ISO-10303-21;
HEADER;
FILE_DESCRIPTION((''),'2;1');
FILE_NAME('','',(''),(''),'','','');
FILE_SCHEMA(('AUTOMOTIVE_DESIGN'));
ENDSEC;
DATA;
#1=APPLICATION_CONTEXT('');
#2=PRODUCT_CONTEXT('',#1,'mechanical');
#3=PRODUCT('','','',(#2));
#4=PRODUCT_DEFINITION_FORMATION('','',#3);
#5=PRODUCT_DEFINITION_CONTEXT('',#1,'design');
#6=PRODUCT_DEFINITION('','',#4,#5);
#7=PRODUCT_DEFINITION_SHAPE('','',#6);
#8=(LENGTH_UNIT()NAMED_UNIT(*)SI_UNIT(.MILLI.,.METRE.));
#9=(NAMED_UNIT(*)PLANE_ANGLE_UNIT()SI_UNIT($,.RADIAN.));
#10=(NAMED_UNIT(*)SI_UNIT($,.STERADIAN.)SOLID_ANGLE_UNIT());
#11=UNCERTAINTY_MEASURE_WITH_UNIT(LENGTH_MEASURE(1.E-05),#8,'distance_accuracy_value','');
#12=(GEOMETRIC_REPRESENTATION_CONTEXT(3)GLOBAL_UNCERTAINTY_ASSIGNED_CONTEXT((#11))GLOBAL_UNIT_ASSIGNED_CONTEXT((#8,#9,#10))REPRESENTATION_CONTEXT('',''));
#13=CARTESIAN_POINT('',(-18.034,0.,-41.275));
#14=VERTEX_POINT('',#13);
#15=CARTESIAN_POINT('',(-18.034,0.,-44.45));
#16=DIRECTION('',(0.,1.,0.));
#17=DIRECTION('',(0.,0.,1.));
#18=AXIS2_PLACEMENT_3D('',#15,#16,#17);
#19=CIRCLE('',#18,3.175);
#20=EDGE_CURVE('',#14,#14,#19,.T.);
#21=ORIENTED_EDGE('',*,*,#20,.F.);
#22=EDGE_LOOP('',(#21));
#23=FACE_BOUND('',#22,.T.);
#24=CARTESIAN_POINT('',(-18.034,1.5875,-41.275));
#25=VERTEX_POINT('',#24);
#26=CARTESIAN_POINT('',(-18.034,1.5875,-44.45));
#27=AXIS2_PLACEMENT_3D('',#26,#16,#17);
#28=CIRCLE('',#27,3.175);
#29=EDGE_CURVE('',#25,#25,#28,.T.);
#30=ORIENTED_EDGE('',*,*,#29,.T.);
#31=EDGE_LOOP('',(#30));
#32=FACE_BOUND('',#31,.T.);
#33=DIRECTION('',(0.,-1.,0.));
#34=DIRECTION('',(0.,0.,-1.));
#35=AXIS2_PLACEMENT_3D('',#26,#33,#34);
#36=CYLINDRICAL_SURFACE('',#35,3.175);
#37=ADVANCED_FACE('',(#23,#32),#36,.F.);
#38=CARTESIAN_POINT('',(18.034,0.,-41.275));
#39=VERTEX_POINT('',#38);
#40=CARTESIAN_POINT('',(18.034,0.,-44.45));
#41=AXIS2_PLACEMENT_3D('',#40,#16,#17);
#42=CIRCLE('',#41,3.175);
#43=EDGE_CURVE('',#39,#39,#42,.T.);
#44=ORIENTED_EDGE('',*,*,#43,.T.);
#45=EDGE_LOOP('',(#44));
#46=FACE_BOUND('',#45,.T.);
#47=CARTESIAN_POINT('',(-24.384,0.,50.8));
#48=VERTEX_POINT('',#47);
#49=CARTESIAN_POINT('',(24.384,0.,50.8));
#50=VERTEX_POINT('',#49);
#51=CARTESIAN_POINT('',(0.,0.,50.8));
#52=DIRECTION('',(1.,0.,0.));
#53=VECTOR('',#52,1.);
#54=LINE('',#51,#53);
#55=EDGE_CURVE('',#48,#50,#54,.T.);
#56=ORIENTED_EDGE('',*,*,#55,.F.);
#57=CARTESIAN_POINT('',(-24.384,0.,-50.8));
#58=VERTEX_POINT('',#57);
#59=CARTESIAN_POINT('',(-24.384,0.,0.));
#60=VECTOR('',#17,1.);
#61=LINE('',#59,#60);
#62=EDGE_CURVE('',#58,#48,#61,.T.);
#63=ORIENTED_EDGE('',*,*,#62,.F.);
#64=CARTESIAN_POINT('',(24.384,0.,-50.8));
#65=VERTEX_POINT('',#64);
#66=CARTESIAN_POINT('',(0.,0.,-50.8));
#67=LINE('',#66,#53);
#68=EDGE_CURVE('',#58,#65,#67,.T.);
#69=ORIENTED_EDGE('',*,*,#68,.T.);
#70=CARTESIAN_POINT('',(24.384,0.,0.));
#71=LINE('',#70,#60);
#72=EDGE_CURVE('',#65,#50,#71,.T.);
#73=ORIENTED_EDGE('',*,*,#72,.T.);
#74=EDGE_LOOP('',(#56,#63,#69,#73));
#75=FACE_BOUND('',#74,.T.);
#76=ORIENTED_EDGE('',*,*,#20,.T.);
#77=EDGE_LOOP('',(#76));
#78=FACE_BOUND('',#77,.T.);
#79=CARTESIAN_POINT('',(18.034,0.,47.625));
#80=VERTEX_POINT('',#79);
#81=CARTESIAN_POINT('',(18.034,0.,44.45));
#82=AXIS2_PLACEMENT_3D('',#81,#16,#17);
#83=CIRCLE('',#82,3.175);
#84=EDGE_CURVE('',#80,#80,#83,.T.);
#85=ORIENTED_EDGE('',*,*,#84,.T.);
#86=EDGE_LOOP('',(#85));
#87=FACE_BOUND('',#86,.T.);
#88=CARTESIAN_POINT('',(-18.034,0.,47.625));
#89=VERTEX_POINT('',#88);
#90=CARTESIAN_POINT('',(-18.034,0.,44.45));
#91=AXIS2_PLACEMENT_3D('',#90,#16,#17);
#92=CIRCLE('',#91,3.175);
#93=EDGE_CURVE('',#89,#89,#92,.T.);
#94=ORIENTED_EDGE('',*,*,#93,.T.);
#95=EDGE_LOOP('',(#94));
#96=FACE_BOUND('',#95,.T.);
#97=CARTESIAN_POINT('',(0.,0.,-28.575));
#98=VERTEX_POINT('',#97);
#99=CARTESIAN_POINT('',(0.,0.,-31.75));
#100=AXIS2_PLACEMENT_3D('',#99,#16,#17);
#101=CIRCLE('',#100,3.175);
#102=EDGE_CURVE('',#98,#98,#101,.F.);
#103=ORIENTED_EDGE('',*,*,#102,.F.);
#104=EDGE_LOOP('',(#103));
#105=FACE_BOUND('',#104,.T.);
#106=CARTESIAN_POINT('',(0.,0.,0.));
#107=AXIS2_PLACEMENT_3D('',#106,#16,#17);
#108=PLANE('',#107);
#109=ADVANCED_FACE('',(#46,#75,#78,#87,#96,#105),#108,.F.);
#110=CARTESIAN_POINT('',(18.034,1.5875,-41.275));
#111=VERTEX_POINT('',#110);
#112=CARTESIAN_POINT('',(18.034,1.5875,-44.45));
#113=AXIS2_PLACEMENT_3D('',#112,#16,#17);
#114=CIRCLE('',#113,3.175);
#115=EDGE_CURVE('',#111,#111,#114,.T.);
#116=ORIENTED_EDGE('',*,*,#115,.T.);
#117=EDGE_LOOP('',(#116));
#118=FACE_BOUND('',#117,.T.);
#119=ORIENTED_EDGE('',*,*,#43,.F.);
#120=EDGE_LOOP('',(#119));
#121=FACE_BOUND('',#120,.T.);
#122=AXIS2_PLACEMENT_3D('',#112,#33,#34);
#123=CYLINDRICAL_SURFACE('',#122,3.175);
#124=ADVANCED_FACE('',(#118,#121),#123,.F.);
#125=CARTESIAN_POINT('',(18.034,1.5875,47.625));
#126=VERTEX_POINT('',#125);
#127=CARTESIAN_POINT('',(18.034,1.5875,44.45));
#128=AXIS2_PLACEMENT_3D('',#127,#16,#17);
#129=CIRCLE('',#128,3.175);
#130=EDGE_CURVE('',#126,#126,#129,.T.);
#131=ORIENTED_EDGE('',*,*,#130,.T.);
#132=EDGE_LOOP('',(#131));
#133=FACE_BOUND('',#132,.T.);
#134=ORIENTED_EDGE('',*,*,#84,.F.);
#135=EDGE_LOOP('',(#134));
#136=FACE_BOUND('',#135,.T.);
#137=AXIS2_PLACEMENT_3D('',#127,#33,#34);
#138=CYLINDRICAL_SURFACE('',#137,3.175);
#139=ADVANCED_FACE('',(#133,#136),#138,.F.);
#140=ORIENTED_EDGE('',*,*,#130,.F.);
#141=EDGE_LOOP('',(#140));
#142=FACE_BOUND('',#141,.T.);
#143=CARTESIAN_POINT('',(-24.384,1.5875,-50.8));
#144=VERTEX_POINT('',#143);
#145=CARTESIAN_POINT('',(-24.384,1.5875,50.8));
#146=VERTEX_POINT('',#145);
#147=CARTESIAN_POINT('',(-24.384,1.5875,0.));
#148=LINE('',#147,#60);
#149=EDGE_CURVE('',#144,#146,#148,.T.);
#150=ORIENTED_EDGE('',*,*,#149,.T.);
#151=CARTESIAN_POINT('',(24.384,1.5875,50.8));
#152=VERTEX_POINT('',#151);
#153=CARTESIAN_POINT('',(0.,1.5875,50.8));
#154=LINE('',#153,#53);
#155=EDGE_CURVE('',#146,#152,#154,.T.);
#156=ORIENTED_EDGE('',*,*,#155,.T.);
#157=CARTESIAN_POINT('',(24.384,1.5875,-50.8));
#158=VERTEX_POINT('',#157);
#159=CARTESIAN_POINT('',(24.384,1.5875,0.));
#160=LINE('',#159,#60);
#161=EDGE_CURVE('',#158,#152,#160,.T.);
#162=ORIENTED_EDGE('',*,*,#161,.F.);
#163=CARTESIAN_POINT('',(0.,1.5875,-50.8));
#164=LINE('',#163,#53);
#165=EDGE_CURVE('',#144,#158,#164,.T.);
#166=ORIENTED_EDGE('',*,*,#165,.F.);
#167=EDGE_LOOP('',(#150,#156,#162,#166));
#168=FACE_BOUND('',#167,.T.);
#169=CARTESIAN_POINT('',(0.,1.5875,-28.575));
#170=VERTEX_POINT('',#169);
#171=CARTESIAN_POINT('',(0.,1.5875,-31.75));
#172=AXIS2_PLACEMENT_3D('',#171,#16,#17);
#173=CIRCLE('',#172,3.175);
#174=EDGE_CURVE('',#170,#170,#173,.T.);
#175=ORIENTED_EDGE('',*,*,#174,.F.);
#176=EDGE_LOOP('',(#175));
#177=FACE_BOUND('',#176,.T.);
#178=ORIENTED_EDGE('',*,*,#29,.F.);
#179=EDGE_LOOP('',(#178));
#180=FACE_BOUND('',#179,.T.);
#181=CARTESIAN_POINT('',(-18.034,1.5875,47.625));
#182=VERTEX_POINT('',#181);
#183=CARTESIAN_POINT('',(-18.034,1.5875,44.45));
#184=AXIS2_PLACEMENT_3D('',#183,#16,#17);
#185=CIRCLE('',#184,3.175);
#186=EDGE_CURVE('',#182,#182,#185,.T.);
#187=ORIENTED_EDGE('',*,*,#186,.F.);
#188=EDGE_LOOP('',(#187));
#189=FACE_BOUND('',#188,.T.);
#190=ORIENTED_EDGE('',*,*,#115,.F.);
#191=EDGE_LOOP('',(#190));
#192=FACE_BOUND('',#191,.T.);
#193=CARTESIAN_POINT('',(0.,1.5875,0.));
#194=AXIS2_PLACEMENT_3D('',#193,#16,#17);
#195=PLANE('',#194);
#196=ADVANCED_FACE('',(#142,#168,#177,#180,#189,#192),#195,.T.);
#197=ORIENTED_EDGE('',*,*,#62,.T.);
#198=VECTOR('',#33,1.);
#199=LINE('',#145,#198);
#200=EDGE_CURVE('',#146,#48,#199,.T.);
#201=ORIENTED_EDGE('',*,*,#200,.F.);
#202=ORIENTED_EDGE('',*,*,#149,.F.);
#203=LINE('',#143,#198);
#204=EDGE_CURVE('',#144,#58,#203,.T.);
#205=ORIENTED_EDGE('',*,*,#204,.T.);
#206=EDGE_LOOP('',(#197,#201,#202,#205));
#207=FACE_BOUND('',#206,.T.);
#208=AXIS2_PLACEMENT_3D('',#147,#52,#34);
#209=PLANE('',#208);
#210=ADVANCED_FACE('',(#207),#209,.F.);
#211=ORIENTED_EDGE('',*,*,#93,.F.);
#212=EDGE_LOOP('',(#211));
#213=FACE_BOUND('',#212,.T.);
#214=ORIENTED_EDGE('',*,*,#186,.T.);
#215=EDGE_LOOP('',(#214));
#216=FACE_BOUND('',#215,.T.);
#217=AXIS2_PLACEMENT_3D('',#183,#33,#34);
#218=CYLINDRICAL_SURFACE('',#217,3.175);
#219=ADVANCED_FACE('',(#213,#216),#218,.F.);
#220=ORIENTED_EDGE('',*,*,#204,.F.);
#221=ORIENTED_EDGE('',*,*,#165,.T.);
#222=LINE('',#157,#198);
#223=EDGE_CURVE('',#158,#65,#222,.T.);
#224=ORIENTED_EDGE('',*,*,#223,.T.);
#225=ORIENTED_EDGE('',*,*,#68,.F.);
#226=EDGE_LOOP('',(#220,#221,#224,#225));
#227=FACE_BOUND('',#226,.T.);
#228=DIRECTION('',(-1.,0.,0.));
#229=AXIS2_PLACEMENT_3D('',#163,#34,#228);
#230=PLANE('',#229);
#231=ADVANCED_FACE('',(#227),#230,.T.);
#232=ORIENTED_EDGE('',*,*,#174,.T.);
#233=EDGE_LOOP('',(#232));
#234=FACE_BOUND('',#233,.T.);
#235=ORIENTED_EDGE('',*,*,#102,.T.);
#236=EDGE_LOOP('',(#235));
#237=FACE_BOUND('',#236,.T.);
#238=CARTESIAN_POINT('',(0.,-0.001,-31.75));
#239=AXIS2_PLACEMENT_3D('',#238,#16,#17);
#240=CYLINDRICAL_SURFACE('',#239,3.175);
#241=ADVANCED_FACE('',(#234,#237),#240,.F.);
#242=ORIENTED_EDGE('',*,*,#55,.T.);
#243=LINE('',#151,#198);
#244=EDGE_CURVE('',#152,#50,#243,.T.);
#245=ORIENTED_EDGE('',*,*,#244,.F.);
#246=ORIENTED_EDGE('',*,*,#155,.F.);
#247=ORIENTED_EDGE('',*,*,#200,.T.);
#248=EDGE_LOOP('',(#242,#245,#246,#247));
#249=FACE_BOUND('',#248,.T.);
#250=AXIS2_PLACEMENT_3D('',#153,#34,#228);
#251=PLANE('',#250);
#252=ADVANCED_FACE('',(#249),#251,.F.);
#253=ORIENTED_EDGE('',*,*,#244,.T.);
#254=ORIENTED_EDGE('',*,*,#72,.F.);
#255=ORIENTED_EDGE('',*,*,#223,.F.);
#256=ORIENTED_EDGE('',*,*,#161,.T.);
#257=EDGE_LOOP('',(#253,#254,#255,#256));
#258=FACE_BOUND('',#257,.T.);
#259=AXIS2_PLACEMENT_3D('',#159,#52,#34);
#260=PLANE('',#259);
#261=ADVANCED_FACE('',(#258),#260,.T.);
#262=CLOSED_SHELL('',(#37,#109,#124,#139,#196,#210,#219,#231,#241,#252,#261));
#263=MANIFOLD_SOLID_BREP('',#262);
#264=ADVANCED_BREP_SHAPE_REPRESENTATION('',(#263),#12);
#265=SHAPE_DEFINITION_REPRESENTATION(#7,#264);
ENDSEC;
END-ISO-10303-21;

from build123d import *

# Parameters (mm, degrees)
SKETCH1_W           = 48.768
SKETCH1_H           = 101.6
SKETCH1_R           = 3.175
BOSS_EXTRUDE1_DEPTH = 1.5875
CUT_EXTRUDE1_REACH  = 3.587
SKETCH2_R           = 3.175


with BuildPart() as part:
    # Sketch1 → Boss-Extrude1 (new body)
    with BuildSketch(Plane(origin=(0, 0, 0), x_dir=(1, 0, 0), z_dir=(0, 1, 0))):
        Rectangle(SKETCH1_W, SKETCH1_H)
        with Locations((-18.034, 44.45)):
            Circle(SKETCH1_R, mode=Mode.SUBTRACT)
        with Locations((18.034, 44.45)):
            Circle(SKETCH1_R, mode=Mode.SUBTRACT)
        with Locations((18.034, -44.45)):
            Circle(SKETCH1_R, mode=Mode.SUBTRACT)
        with Locations((-18.034, -44.45)):
            Circle(SKETCH1_R, mode=Mode.SUBTRACT)
    extrude(amount=BOSS_EXTRUDE1_DEPTH)

    # Sketch2 → Cut-Extrude1 (cut, up to next)
    with BuildSketch(Plane(origin=(0, 1.5875, 0), x_dir=(1, 0, 0), z_dir=(0, 1, 0)), mode=Mode.PRIVATE) as cut_extrude1_sk1:
        with Locations((0, 31.75)):
            Circle(SKETCH2_R)
    cut_extrude1_tool1 = extrude(cut_extrude1_sk1.sketch, amount=-CUT_EXTRUDE1_REACH, mode=Mode.PRIVATE) & part.part
    add(cut_extrude1_tool1.solids().sort_by_distance((0, 1.5875, -31.75))[0], mode=Mode.SUBTRACT)


solid = part.part
